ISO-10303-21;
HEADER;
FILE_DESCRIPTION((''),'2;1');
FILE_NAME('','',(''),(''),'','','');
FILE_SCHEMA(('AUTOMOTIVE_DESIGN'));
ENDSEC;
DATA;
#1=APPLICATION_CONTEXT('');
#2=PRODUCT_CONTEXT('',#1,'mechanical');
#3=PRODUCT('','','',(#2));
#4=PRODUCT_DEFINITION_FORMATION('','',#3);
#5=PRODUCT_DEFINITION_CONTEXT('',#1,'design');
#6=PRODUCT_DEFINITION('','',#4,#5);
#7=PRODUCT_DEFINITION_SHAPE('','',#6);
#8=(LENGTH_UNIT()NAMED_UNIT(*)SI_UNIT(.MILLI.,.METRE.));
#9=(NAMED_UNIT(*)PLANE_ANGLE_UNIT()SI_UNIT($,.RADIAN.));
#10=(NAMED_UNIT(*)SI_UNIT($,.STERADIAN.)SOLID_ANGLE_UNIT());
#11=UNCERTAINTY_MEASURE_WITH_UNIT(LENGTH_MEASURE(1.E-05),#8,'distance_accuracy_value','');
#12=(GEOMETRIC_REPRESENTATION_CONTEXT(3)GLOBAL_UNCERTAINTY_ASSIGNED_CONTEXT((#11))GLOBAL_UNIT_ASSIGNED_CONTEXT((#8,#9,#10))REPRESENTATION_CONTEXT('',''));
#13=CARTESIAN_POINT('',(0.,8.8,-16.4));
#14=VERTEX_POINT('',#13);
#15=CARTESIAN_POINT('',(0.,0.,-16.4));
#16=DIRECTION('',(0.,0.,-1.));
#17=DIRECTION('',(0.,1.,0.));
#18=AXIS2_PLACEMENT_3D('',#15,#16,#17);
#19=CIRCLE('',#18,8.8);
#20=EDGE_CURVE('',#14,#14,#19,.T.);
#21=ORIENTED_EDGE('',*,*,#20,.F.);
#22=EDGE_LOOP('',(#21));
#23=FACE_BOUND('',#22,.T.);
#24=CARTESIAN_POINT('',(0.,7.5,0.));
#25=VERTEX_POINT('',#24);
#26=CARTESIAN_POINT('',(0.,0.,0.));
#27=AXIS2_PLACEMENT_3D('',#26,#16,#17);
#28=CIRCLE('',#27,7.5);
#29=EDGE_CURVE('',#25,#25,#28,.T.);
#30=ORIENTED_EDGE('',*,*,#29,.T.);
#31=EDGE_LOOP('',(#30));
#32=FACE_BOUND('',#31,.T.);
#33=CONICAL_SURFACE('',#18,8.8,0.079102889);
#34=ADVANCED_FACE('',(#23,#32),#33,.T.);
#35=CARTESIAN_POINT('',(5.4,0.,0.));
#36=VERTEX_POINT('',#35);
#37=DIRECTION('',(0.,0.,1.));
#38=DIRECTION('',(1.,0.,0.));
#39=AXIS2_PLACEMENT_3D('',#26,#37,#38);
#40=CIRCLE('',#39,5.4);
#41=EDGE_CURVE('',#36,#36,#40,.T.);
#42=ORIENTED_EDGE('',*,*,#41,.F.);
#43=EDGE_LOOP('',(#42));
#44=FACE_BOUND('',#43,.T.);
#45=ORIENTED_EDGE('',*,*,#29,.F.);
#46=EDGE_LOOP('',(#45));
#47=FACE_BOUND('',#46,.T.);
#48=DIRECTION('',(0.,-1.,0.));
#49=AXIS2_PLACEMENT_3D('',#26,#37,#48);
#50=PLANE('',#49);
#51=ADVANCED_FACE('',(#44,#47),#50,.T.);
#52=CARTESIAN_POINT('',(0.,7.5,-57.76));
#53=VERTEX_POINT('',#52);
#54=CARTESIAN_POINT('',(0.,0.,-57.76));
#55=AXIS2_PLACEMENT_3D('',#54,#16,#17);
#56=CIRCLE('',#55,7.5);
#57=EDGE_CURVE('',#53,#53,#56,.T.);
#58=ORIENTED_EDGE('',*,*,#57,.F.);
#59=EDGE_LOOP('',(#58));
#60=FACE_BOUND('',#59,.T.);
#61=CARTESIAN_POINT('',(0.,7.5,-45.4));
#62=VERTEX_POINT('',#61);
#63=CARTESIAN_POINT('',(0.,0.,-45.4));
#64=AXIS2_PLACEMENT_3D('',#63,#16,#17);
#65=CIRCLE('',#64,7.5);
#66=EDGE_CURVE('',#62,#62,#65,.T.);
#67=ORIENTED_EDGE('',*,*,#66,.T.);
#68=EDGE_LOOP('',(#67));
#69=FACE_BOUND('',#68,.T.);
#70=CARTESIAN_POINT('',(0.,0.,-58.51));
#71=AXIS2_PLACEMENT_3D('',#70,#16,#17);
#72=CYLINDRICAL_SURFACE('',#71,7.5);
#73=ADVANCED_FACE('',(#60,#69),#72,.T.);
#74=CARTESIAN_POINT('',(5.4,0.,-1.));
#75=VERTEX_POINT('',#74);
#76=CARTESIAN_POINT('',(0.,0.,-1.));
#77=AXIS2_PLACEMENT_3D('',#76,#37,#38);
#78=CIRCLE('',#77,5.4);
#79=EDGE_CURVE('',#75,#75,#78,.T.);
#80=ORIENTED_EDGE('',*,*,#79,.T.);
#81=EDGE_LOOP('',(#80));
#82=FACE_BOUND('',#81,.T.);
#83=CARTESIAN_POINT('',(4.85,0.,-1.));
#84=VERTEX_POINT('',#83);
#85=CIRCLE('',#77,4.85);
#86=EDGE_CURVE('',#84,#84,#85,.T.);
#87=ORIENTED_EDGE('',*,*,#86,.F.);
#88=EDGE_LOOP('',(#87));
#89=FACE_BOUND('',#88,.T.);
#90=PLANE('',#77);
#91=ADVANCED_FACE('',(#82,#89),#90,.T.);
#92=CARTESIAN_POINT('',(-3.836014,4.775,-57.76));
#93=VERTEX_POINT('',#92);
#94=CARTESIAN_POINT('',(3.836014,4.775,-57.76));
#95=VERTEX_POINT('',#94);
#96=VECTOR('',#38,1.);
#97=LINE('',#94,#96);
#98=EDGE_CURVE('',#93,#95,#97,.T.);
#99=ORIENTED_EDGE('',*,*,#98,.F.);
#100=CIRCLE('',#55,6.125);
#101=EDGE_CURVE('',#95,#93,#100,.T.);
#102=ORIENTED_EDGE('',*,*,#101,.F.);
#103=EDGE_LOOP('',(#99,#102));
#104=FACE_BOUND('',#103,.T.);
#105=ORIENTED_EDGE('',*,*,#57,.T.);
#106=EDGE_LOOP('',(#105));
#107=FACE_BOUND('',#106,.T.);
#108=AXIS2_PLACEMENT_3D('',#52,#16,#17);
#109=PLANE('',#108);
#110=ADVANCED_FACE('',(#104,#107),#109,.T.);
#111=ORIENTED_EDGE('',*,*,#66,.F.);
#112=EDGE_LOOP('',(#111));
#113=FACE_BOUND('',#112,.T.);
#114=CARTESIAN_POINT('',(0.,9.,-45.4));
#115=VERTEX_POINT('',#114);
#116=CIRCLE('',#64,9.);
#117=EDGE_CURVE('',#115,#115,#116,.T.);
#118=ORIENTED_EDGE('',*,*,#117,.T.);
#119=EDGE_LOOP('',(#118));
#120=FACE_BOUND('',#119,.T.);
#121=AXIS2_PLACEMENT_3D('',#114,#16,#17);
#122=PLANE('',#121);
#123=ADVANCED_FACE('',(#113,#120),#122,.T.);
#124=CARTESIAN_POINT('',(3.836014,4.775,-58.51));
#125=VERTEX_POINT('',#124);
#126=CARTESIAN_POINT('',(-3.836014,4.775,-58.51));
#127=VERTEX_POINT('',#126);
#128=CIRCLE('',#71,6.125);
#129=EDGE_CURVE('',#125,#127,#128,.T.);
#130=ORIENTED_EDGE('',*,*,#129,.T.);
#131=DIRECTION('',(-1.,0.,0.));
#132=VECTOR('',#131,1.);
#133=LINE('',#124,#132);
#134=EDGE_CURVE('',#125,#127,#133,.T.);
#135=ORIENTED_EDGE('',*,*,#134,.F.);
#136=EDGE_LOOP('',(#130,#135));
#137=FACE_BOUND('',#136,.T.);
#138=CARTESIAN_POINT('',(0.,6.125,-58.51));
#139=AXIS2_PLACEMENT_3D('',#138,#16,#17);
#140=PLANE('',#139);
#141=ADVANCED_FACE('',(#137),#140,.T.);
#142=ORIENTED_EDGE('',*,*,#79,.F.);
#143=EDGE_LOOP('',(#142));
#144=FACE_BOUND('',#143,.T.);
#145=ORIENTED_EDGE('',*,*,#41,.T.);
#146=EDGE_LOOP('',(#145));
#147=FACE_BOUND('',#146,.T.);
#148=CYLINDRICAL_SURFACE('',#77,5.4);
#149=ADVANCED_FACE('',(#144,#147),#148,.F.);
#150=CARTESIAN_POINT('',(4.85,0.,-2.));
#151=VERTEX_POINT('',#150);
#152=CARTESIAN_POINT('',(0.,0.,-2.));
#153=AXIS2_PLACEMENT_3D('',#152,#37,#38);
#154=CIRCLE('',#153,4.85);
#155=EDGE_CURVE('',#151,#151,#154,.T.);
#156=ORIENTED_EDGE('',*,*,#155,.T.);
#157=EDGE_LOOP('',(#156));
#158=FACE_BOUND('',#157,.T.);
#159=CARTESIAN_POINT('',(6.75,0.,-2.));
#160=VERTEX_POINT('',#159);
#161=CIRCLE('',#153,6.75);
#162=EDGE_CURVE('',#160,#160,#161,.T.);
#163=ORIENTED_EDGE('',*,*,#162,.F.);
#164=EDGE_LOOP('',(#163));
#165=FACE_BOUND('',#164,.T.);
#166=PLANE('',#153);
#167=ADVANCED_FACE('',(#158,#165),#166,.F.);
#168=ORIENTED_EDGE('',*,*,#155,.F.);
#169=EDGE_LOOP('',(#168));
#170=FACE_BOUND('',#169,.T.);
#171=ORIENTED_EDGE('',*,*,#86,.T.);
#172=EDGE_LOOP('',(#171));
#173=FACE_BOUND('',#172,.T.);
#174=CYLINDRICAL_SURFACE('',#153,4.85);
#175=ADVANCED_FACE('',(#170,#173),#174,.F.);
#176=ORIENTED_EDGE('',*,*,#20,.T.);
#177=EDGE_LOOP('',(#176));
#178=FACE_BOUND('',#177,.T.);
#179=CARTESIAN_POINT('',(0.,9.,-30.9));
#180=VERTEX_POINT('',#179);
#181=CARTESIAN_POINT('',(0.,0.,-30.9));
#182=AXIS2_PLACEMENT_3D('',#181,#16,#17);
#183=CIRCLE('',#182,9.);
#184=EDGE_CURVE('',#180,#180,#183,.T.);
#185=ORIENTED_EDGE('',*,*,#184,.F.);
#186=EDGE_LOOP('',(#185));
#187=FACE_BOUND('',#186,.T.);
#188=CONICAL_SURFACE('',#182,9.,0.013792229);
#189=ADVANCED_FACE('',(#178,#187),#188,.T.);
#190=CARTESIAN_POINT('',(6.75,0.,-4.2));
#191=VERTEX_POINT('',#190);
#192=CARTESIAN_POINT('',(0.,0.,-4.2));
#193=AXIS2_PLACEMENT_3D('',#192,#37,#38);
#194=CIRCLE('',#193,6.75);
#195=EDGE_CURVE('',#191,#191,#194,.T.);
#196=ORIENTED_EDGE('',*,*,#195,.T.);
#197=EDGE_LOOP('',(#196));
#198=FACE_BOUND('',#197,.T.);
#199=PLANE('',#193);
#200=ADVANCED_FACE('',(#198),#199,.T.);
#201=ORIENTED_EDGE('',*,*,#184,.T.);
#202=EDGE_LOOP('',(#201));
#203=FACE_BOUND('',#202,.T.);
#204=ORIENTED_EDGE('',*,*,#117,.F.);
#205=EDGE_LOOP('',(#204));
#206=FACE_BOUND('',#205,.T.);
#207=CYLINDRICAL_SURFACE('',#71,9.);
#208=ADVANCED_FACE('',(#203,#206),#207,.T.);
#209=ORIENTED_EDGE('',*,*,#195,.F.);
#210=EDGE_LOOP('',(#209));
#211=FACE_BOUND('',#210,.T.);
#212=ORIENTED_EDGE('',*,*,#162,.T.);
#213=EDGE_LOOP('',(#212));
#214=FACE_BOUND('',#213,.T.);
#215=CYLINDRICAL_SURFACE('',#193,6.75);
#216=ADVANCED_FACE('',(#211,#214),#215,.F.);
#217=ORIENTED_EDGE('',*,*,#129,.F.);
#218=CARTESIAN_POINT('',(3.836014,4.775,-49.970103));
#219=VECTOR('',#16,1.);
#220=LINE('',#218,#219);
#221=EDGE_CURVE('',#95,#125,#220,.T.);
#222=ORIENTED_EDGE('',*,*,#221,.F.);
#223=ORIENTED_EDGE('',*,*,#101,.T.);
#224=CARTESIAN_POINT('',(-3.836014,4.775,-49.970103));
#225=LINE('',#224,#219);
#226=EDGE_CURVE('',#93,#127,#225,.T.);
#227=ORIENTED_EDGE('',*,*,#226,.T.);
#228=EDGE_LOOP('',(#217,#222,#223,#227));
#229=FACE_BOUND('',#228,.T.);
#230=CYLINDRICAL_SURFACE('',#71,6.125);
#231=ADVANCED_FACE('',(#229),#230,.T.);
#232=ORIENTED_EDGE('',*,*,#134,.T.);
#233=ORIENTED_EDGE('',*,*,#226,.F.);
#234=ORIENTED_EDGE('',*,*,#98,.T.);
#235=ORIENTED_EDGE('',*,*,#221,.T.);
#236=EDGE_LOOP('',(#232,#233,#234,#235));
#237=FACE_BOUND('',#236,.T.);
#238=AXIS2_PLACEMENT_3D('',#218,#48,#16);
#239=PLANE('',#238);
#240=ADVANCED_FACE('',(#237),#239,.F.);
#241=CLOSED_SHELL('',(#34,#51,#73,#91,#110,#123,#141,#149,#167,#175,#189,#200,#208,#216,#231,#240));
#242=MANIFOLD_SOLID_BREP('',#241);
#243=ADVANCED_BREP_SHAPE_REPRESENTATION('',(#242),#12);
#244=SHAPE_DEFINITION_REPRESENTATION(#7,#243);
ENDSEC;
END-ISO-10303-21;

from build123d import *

# Parameters (mm, degrees)
CUT_EXTRUDE1_DEPTH = 0.75
SKETCH3_R          = 5.4
CUT_EXTRUDE2_DEPTH = 1
SKETCH4_R          = 4.85
CUT_EXTRUDE3_DEPTH = 1
SKETCH5_R          = 6.75
CUT_EXTRUDE4_DEPTH = 2.2


with BuildPart() as part:
    # Sketch1 → Revolve1 (revolve)
    with BuildSketch(Plane(origin=(0, 0, 0), x_dir=(0, 0, -1), z_dir=(1, 0, 0))):
        Polygon((0, 0), (0, 7.5), (16.4, 8.8), (30.9, 9), (45.4, 9), (45.4, 7.5), (57.76, 7.5), (57.76, 6.125), (58.51, 6.125), (58.51, 0), align=None)
    revolve(axis=Axis((0, 0, -58.51), (0, 0, 1)))

    # Sketch2 → Cut-Extrude1 (cut)
    with BuildSketch(Plane(origin=(0, 0, -58.51), x_dir=(-1, 0, 0), z_dir=(0, 0, -1))):
        with BuildLine():
            Line((-3.836013556, 4.775), (3.836013556, 4.775))
            ThreePointArc((3.836013556, 4.775), (0, 6.125), (-3.836013556, 4.775))
        make_face()
    extrude(amount=-CUT_EXTRUDE1_DEPTH, mode=Mode.SUBTRACT)

    # Sketch3 → Cut-Extrude2 (cut)
    with BuildSketch(Plane.XY):
        Circle(SKETCH3_R)
    extrude(amount=-CUT_EXTRUDE2_DEPTH, mode=Mode.SUBTRACT)

    # Sketch4 → Cut-Extrude3 (cut)
    with BuildSketch(Plane.XY.offset(-1)):
        Circle(SKETCH4_R)
    extrude(amount=-CUT_EXTRUDE3_DEPTH, mode=Mode.SUBTRACT)

    # Sketch5 → Cut-Extrude4 (cut)
    with BuildSketch(Plane.XY.offset(-2)):
        Circle(SKETCH5_R)
    extrude(amount=-CUT_EXTRUDE4_DEPTH, mode=Mode.SUBTRACT)


solid = part.part
